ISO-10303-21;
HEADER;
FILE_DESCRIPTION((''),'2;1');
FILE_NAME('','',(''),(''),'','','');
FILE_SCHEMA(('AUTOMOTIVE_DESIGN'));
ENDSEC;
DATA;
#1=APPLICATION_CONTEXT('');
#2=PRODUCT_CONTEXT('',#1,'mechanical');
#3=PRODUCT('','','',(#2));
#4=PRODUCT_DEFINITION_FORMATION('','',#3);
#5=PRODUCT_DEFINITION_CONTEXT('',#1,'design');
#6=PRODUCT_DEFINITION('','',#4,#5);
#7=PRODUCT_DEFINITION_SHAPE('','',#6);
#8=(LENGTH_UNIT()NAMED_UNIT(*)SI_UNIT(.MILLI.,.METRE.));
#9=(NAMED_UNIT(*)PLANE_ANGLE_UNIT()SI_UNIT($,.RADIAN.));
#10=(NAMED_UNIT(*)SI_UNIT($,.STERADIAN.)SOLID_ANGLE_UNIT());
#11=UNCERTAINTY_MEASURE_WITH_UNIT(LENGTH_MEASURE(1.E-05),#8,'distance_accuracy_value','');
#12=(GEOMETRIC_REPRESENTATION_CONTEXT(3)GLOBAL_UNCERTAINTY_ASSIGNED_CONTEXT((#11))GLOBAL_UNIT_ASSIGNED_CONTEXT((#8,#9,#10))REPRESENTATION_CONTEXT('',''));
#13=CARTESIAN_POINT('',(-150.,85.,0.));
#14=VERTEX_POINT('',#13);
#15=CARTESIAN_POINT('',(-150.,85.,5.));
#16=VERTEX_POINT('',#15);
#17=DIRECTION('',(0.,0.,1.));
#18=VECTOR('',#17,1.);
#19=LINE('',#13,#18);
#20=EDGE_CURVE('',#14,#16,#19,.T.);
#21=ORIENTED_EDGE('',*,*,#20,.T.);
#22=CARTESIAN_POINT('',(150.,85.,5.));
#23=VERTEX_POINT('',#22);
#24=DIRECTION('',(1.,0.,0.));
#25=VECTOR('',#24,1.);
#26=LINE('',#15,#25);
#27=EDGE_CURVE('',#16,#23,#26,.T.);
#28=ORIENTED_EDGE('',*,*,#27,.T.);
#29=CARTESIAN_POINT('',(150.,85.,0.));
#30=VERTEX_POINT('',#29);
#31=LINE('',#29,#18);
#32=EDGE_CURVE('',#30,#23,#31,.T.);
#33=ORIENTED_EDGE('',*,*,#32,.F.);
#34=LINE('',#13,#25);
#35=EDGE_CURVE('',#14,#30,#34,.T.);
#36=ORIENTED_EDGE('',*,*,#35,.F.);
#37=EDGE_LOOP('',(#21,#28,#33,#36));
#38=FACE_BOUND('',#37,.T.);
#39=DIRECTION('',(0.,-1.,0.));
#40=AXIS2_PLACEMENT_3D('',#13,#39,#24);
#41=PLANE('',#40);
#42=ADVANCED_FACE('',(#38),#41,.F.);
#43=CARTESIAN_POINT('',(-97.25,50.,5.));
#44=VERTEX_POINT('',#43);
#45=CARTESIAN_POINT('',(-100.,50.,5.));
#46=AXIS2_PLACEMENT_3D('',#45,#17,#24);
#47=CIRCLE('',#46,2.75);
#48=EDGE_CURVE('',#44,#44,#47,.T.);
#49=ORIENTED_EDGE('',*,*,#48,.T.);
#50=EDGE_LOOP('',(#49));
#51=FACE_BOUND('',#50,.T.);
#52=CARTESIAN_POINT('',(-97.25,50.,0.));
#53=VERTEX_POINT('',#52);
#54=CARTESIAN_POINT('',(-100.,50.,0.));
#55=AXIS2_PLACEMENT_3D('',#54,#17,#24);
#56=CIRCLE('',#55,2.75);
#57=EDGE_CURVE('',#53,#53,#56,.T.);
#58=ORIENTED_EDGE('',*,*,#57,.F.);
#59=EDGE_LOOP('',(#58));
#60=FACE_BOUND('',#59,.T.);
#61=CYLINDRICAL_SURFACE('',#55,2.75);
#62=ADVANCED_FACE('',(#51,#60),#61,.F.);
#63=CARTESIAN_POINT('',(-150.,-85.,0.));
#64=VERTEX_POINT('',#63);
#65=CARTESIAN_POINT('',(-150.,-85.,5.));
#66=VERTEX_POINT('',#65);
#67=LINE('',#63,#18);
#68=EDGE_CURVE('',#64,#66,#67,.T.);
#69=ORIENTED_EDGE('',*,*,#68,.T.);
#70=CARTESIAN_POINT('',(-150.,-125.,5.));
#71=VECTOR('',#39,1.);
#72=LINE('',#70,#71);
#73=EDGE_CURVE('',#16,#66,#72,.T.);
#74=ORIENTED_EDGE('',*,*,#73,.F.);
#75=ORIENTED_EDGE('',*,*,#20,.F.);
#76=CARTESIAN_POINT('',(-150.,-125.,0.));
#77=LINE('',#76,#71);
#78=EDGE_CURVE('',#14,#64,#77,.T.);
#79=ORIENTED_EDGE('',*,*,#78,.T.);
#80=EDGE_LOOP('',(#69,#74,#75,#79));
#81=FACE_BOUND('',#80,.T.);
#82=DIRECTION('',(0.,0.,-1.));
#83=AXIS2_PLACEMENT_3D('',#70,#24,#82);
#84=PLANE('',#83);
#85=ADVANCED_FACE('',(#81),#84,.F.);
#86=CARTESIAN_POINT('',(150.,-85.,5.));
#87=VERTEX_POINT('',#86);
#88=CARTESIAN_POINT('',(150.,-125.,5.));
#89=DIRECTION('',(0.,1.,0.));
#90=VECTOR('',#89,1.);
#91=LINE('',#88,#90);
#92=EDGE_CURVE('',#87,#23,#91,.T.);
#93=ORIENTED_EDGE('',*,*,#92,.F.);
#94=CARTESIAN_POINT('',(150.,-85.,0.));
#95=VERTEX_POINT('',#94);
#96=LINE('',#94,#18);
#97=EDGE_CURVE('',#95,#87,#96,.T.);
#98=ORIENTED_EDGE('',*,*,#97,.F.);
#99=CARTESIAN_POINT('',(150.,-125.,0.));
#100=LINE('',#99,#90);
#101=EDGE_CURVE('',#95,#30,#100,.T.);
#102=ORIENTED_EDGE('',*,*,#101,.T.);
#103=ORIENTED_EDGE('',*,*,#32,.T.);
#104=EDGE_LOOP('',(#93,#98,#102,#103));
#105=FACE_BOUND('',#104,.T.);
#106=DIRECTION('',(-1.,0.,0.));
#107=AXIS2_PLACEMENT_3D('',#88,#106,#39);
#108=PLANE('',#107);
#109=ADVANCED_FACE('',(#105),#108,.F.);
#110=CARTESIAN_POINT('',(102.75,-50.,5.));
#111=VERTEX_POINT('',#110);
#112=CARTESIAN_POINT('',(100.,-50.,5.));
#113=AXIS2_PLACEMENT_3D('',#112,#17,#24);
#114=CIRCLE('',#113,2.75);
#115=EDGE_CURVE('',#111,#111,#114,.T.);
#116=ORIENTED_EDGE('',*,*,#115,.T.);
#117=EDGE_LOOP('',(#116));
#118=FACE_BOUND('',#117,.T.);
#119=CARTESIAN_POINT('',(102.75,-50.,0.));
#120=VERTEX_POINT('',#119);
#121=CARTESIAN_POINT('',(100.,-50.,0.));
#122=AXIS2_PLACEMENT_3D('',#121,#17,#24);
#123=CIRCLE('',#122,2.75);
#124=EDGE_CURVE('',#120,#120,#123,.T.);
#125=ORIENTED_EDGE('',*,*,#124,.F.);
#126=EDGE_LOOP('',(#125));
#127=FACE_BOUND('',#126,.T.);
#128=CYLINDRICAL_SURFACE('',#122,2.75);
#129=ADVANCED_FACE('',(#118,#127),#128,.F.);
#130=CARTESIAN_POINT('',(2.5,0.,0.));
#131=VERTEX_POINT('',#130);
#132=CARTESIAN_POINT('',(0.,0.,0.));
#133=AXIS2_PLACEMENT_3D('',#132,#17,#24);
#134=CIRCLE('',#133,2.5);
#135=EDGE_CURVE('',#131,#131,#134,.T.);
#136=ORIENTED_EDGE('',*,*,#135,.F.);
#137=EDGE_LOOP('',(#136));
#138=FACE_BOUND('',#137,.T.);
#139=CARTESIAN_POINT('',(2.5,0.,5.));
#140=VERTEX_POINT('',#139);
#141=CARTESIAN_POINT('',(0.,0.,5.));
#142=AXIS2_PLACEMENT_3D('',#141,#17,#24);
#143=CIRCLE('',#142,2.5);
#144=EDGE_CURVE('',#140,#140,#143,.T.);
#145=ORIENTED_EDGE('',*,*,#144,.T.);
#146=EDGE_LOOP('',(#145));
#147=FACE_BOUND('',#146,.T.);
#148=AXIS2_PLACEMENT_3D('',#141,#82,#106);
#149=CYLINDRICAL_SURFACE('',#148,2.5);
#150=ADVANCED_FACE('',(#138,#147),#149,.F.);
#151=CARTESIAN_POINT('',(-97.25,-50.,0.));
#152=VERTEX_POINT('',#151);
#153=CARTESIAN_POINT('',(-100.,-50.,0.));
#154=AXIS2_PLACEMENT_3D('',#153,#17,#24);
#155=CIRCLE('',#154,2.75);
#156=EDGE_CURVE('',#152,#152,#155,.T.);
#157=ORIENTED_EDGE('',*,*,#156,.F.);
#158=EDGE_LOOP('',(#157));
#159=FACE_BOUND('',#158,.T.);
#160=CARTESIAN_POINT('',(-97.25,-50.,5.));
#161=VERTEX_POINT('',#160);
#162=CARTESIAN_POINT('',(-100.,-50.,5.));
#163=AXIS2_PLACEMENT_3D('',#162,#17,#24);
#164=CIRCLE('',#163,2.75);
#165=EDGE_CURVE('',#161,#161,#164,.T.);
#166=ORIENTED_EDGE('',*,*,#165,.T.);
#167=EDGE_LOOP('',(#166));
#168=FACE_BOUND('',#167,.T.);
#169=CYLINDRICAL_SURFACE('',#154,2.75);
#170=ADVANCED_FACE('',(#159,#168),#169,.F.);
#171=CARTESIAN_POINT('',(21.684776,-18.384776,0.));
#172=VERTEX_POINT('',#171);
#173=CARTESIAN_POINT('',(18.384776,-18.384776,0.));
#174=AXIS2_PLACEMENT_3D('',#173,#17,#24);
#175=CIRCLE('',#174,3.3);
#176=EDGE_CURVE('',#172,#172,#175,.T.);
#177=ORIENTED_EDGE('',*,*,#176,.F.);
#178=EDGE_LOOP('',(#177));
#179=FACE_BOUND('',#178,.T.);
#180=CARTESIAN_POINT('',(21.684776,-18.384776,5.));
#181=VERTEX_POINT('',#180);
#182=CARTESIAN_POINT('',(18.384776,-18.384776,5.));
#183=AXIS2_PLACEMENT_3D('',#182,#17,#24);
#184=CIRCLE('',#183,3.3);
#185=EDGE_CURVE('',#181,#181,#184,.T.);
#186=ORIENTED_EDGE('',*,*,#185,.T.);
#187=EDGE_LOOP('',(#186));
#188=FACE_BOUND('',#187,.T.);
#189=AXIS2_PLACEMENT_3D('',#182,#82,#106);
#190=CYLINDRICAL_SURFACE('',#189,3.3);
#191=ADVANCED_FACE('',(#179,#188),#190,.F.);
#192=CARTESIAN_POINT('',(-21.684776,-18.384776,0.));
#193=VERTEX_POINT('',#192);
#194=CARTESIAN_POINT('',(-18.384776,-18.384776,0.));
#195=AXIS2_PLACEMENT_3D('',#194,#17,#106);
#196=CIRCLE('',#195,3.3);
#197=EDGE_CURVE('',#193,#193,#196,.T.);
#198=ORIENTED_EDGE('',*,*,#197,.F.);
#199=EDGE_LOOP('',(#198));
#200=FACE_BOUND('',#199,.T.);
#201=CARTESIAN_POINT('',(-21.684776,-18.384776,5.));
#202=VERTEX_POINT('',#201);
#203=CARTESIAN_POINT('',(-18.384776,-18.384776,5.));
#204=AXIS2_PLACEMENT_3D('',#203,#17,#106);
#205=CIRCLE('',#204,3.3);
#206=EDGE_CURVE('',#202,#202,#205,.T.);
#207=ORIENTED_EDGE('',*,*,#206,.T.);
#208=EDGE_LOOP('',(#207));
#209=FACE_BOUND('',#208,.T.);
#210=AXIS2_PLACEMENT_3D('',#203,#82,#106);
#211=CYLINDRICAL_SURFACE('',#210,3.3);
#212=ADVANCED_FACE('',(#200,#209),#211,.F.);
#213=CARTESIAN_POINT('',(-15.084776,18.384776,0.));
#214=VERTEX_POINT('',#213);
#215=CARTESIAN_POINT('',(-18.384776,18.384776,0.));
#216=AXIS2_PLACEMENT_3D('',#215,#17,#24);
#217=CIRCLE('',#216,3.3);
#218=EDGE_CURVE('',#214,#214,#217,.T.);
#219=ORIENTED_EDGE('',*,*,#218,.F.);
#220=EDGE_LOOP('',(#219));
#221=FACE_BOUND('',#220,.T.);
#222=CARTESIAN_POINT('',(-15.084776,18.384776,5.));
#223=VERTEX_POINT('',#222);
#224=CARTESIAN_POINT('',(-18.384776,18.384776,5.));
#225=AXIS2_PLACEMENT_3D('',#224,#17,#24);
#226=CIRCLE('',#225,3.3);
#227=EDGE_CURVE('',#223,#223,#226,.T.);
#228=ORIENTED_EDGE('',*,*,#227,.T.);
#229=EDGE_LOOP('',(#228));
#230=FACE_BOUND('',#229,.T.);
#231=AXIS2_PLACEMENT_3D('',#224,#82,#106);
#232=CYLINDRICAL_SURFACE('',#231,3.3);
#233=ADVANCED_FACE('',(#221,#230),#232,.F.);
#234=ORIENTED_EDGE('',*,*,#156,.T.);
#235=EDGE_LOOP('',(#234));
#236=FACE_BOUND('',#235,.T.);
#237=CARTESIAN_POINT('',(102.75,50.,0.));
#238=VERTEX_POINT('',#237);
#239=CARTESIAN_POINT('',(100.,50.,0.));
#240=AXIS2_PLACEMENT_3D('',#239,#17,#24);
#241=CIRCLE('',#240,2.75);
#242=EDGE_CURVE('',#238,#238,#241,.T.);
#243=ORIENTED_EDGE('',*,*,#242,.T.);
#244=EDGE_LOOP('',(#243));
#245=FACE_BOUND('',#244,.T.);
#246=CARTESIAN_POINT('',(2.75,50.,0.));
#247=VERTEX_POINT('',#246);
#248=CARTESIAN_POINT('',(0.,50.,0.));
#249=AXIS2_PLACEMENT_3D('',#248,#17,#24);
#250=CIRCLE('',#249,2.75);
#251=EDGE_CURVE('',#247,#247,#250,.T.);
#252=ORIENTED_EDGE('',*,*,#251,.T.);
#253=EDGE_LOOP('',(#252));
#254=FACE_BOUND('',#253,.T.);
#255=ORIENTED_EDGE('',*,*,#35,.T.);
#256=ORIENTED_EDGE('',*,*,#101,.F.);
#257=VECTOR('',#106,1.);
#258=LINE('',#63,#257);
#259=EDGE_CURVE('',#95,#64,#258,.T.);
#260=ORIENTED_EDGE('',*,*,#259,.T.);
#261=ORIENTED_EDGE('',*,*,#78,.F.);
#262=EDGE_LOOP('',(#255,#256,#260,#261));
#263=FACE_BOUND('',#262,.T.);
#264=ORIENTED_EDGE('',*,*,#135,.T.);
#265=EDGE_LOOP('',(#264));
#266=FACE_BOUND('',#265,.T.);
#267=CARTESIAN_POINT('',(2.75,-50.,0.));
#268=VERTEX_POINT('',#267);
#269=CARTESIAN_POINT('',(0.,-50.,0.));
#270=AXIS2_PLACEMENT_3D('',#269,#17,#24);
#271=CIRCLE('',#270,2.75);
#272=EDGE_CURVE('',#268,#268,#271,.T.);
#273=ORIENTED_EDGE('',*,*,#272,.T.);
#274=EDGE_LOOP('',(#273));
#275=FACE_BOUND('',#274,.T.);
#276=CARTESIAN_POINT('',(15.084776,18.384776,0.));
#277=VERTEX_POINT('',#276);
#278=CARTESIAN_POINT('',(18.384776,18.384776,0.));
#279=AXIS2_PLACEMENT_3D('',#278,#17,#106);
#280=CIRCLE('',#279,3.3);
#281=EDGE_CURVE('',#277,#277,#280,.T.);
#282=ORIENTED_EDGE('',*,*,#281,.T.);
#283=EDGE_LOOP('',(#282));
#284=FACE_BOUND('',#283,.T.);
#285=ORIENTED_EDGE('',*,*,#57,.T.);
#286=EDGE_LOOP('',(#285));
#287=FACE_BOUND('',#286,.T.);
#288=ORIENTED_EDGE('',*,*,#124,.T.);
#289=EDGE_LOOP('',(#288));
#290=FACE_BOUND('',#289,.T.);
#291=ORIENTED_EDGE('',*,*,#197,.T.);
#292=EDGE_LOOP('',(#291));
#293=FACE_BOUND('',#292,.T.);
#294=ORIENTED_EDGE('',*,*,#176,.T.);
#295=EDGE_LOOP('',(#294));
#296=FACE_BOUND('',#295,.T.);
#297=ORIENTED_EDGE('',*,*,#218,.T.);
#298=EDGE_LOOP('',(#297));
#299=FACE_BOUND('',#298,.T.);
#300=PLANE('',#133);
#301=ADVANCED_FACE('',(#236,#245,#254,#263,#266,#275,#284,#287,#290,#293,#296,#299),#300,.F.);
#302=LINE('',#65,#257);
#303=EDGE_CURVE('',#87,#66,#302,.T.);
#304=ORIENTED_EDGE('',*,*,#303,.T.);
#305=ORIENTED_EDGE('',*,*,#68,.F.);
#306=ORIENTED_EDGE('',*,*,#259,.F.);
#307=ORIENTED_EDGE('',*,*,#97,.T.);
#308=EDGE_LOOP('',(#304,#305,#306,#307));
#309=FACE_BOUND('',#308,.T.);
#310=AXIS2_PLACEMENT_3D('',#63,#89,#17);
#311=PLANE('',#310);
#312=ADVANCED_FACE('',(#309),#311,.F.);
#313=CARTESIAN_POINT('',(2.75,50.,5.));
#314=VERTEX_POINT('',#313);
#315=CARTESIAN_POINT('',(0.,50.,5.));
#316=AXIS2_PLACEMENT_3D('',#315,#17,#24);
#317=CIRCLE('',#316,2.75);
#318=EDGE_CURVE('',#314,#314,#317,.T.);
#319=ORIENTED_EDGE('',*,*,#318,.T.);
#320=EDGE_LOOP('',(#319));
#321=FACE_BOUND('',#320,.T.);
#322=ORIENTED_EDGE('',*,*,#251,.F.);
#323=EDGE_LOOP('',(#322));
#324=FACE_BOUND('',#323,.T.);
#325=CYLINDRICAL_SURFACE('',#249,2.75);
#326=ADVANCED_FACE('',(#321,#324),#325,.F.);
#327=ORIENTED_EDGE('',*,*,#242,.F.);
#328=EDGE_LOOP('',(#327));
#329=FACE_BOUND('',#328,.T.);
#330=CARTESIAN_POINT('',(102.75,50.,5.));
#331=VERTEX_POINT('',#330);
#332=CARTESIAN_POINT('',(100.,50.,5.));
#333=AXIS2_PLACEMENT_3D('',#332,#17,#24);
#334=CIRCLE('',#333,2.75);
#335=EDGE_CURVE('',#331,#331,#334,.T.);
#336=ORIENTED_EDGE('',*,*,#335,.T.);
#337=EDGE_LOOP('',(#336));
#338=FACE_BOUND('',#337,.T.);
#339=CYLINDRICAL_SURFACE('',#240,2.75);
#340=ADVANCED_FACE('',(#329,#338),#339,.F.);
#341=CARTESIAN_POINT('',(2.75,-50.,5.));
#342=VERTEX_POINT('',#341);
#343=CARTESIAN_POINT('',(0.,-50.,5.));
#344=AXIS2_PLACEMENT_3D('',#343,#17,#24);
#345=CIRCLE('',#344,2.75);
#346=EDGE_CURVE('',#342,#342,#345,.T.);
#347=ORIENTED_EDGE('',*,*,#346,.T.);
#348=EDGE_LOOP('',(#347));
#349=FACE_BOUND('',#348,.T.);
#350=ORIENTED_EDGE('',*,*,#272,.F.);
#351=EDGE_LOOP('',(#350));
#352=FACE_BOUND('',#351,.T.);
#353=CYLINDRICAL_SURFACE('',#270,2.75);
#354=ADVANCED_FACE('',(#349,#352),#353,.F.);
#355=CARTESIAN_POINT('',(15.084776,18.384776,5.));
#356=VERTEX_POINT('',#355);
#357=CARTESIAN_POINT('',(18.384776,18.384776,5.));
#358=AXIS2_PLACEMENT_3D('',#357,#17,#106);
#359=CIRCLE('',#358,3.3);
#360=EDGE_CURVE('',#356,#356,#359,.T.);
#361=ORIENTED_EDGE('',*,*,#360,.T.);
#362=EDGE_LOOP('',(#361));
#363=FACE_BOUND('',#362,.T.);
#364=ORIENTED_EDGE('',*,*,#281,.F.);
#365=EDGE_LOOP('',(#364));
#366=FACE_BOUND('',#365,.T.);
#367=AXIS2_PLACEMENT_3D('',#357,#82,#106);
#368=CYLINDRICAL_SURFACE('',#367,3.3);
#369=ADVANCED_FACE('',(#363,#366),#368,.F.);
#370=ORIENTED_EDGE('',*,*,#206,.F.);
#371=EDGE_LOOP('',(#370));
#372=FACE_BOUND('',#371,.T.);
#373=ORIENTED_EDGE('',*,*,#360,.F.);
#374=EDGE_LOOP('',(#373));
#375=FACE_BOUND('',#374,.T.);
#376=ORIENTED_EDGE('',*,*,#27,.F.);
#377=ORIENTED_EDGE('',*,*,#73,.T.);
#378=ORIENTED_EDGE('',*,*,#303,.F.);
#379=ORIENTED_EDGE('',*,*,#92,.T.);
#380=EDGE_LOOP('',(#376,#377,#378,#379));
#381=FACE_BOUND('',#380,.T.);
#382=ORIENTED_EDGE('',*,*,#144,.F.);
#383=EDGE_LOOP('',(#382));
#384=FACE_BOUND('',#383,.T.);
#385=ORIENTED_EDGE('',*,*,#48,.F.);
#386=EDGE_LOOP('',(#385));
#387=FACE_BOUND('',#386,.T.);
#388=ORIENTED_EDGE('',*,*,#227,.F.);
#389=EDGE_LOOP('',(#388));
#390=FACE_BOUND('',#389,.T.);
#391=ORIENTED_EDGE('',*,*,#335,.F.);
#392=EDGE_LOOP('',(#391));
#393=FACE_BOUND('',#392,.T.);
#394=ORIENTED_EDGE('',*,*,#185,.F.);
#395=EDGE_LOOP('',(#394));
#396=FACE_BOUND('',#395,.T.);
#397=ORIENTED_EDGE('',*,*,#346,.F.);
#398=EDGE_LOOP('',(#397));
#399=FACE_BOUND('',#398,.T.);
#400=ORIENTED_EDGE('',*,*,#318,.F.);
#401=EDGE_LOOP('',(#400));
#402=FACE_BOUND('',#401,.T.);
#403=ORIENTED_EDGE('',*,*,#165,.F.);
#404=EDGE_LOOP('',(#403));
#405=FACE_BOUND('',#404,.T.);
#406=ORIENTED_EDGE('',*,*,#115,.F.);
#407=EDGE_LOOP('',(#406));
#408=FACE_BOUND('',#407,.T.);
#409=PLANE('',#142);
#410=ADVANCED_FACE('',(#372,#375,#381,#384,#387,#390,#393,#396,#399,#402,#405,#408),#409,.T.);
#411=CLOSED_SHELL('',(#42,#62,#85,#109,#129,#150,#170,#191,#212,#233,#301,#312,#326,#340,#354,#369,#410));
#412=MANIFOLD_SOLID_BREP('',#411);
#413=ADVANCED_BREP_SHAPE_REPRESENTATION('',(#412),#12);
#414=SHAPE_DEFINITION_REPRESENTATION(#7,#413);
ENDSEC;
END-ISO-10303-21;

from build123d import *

# Parameters (mm, degrees)
SKETCH_1_W          = 300
SKETCH_1_H          = 250
SKETCH_1_R          = 3.3
SKETCH_1_R_2        = 2.5
EXTRUDE_1_DEPTH     = 5
SKETCH_2_R          = 2.75
CUT_EXTRUDE_1_DEPTH = 196.320249846
SKETCH_3_W          = 300
SKETCH_3_H          = 40
CUT_EXTRUDE_2_DEPTH = 196.320249846


with BuildPart() as part:
    # 草图1 → 凸台-拉伸1 (new body)
    with BuildSketch(Plane.XY):
        Rectangle(SKETCH_1_W, SKETCH_1_H)
        with Locations((-18.384776311, 18.384776311)):
            Circle(SKETCH_1_R, mode=Mode.SUBTRACT)
        with Locations(Location((18.384776311, 18.384776311, 0), (0, 0, 180))):
            Circle(SKETCH_1_R, mode=Mode.SUBTRACT)
        with Locations((18.384776311, -18.384776311)):
            Circle(SKETCH_1_R, mode=Mode.SUBTRACT)
        with Locations(Location((-18.384776311, -18.384776311, 0), (0, 0, 180))):
            Circle(SKETCH_1_R, mode=Mode.SUBTRACT)
        Circle(SKETCH_1_R_2, mode=Mode.SUBTRACT)
    extrude(amount=EXTRUDE_1_DEPTH)

    # 草图2 → 切除-拉伸1 (cut, through all)
    with BuildSketch(Plane.XY.offset(5)):
        with Locations((-100, 50)):
            Circle(SKETCH_2_R)
        with Locations((0, 50)):
            Circle(SKETCH_2_R)
        with Locations((100, 50)):
            Circle(SKETCH_2_R)
        with Locations((100, -50)):
            Circle(SKETCH_2_R)
        with Locations((0, -50)):
            Circle(SKETCH_2_R)
        with Locations((-100, -50)):
            Circle(SKETCH_2_R)
    extrude(amount=-CUT_EXTRUDE_1_DEPTH, mode=Mode.SUBTRACT)

    # 草图3 → 切除-拉伸2 (cut, through all)
    with BuildSketch(Plane.XY.offset(5)):
        with Locations((0, 105)):
            Rectangle(SKETCH_3_W, SKETCH_3_H)
        with Locations((0, -105)):
            Rectangle(SKETCH_3_W, SKETCH_3_H)
    extrude(amount=-CUT_EXTRUDE_2_DEPTH, mode=Mode.SUBTRACT)


solid = part.part
